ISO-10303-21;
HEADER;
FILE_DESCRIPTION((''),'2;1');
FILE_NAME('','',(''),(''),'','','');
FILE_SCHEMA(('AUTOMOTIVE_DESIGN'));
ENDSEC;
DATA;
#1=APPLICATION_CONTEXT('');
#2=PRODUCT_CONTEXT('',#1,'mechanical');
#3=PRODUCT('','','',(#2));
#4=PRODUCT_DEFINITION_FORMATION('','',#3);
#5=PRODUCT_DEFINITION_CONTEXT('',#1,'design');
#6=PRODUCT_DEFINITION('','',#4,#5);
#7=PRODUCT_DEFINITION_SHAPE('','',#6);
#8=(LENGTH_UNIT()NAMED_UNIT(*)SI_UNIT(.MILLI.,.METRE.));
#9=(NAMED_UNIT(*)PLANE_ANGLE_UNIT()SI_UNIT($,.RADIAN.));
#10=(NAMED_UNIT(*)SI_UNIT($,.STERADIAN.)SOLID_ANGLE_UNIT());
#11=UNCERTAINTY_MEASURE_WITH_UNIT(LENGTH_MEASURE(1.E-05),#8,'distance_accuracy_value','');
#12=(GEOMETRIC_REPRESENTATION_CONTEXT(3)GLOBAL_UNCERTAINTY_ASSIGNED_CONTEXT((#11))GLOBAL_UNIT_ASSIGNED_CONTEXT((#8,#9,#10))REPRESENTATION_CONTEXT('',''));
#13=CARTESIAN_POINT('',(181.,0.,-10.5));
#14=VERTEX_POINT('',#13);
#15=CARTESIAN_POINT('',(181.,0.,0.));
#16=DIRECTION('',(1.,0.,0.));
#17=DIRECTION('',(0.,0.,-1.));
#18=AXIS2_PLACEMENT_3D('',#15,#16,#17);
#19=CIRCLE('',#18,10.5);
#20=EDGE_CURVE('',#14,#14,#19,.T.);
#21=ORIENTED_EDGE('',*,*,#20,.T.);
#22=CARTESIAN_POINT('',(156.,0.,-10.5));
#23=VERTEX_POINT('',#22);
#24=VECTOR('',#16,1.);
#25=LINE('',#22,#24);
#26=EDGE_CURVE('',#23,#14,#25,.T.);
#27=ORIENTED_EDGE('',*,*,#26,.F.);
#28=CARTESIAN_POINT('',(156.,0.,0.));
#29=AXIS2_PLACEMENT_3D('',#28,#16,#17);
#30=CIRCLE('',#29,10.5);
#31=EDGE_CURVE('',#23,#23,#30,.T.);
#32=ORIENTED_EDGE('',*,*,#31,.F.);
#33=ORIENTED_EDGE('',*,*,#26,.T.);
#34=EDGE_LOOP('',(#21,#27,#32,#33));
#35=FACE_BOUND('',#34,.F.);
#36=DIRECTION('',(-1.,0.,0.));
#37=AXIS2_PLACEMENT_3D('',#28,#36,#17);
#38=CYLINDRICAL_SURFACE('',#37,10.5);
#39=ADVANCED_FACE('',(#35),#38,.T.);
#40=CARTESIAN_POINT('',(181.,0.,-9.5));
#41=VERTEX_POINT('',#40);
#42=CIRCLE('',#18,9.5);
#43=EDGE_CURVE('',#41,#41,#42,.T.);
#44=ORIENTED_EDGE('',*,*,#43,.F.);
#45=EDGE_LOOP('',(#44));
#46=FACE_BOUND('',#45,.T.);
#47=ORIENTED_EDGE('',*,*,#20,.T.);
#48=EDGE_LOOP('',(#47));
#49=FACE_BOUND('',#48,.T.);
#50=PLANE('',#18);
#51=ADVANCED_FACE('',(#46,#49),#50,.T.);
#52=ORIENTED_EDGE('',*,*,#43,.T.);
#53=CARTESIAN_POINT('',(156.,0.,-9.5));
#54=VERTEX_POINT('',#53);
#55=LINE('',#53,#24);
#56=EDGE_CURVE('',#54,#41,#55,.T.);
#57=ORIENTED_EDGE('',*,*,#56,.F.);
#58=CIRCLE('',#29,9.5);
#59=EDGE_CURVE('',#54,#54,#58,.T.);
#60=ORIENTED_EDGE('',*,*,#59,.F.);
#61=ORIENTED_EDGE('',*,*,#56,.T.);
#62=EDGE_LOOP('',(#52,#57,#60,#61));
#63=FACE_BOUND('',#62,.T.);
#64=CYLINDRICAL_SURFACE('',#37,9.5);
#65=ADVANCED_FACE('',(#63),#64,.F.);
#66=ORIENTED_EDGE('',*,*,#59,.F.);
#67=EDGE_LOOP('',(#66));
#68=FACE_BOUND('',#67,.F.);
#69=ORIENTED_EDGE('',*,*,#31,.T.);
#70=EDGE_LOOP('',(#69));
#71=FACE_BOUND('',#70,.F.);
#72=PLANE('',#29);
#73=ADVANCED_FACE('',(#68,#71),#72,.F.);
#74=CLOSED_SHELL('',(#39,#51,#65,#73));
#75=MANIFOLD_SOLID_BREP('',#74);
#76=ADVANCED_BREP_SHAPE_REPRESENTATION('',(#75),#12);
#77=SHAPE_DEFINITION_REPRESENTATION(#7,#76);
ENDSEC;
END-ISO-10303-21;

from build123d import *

# Parameters (mm, degrees)
CYLINDER009_R           = 9.5
CYLINDER009_DEPTH       = 25
CYLINDER009_PITCH_ANGLE = 90
CYLINDER007_R           = 10.5
CYLINDER007_DEPTH       = 25
CYLINDER007_PITCH_ANGLE = 90


with BuildPart() as cylinder007:
    # Cylinder009 → Cylinder009 (new body)
    with BuildSketch(Plane.XY):
        Circle(CYLINDER009_R)
    extrude(amount=CYLINDER009_DEPTH)


with BuildPart() as cylinder007_1:
    # Cylinder009 pitch: moved
    add(cylinder007.part.rotate(Axis((0, 0, 0), (0, 1, 0)), CYLINDER009_PITCH_ANGLE))


with BuildPart() as cylinder007_2:
    # Cylinder009 placement: moved
    add(cylinder007_1.part.moved(Location((156, 0, 0))))


with BuildPart() as cut004:
    # Cylinder007 → Cylinder007 (new body)
    with BuildSketch(Plane.XY):
        Circle(CYLINDER007_R)
    extrude(amount=CYLINDER007_DEPTH)


with BuildPart() as cut004_1:
    # Cylinder007 pitch: moved
    add(cut004.part.rotate(Axis((0, 0, 0), (0, 1, 0)), CYLINDER007_PITCH_ANGLE))


with BuildPart() as cut004_2:
    # Cylinder007 placement: moved
    add(cut004_1.part.moved(Location((156, 0, 0))))

    # Cut004: cut Cylinder007
    add(cylinder007_2.part, mode=Mode.SUBTRACT)


solid = cut004_2.part
